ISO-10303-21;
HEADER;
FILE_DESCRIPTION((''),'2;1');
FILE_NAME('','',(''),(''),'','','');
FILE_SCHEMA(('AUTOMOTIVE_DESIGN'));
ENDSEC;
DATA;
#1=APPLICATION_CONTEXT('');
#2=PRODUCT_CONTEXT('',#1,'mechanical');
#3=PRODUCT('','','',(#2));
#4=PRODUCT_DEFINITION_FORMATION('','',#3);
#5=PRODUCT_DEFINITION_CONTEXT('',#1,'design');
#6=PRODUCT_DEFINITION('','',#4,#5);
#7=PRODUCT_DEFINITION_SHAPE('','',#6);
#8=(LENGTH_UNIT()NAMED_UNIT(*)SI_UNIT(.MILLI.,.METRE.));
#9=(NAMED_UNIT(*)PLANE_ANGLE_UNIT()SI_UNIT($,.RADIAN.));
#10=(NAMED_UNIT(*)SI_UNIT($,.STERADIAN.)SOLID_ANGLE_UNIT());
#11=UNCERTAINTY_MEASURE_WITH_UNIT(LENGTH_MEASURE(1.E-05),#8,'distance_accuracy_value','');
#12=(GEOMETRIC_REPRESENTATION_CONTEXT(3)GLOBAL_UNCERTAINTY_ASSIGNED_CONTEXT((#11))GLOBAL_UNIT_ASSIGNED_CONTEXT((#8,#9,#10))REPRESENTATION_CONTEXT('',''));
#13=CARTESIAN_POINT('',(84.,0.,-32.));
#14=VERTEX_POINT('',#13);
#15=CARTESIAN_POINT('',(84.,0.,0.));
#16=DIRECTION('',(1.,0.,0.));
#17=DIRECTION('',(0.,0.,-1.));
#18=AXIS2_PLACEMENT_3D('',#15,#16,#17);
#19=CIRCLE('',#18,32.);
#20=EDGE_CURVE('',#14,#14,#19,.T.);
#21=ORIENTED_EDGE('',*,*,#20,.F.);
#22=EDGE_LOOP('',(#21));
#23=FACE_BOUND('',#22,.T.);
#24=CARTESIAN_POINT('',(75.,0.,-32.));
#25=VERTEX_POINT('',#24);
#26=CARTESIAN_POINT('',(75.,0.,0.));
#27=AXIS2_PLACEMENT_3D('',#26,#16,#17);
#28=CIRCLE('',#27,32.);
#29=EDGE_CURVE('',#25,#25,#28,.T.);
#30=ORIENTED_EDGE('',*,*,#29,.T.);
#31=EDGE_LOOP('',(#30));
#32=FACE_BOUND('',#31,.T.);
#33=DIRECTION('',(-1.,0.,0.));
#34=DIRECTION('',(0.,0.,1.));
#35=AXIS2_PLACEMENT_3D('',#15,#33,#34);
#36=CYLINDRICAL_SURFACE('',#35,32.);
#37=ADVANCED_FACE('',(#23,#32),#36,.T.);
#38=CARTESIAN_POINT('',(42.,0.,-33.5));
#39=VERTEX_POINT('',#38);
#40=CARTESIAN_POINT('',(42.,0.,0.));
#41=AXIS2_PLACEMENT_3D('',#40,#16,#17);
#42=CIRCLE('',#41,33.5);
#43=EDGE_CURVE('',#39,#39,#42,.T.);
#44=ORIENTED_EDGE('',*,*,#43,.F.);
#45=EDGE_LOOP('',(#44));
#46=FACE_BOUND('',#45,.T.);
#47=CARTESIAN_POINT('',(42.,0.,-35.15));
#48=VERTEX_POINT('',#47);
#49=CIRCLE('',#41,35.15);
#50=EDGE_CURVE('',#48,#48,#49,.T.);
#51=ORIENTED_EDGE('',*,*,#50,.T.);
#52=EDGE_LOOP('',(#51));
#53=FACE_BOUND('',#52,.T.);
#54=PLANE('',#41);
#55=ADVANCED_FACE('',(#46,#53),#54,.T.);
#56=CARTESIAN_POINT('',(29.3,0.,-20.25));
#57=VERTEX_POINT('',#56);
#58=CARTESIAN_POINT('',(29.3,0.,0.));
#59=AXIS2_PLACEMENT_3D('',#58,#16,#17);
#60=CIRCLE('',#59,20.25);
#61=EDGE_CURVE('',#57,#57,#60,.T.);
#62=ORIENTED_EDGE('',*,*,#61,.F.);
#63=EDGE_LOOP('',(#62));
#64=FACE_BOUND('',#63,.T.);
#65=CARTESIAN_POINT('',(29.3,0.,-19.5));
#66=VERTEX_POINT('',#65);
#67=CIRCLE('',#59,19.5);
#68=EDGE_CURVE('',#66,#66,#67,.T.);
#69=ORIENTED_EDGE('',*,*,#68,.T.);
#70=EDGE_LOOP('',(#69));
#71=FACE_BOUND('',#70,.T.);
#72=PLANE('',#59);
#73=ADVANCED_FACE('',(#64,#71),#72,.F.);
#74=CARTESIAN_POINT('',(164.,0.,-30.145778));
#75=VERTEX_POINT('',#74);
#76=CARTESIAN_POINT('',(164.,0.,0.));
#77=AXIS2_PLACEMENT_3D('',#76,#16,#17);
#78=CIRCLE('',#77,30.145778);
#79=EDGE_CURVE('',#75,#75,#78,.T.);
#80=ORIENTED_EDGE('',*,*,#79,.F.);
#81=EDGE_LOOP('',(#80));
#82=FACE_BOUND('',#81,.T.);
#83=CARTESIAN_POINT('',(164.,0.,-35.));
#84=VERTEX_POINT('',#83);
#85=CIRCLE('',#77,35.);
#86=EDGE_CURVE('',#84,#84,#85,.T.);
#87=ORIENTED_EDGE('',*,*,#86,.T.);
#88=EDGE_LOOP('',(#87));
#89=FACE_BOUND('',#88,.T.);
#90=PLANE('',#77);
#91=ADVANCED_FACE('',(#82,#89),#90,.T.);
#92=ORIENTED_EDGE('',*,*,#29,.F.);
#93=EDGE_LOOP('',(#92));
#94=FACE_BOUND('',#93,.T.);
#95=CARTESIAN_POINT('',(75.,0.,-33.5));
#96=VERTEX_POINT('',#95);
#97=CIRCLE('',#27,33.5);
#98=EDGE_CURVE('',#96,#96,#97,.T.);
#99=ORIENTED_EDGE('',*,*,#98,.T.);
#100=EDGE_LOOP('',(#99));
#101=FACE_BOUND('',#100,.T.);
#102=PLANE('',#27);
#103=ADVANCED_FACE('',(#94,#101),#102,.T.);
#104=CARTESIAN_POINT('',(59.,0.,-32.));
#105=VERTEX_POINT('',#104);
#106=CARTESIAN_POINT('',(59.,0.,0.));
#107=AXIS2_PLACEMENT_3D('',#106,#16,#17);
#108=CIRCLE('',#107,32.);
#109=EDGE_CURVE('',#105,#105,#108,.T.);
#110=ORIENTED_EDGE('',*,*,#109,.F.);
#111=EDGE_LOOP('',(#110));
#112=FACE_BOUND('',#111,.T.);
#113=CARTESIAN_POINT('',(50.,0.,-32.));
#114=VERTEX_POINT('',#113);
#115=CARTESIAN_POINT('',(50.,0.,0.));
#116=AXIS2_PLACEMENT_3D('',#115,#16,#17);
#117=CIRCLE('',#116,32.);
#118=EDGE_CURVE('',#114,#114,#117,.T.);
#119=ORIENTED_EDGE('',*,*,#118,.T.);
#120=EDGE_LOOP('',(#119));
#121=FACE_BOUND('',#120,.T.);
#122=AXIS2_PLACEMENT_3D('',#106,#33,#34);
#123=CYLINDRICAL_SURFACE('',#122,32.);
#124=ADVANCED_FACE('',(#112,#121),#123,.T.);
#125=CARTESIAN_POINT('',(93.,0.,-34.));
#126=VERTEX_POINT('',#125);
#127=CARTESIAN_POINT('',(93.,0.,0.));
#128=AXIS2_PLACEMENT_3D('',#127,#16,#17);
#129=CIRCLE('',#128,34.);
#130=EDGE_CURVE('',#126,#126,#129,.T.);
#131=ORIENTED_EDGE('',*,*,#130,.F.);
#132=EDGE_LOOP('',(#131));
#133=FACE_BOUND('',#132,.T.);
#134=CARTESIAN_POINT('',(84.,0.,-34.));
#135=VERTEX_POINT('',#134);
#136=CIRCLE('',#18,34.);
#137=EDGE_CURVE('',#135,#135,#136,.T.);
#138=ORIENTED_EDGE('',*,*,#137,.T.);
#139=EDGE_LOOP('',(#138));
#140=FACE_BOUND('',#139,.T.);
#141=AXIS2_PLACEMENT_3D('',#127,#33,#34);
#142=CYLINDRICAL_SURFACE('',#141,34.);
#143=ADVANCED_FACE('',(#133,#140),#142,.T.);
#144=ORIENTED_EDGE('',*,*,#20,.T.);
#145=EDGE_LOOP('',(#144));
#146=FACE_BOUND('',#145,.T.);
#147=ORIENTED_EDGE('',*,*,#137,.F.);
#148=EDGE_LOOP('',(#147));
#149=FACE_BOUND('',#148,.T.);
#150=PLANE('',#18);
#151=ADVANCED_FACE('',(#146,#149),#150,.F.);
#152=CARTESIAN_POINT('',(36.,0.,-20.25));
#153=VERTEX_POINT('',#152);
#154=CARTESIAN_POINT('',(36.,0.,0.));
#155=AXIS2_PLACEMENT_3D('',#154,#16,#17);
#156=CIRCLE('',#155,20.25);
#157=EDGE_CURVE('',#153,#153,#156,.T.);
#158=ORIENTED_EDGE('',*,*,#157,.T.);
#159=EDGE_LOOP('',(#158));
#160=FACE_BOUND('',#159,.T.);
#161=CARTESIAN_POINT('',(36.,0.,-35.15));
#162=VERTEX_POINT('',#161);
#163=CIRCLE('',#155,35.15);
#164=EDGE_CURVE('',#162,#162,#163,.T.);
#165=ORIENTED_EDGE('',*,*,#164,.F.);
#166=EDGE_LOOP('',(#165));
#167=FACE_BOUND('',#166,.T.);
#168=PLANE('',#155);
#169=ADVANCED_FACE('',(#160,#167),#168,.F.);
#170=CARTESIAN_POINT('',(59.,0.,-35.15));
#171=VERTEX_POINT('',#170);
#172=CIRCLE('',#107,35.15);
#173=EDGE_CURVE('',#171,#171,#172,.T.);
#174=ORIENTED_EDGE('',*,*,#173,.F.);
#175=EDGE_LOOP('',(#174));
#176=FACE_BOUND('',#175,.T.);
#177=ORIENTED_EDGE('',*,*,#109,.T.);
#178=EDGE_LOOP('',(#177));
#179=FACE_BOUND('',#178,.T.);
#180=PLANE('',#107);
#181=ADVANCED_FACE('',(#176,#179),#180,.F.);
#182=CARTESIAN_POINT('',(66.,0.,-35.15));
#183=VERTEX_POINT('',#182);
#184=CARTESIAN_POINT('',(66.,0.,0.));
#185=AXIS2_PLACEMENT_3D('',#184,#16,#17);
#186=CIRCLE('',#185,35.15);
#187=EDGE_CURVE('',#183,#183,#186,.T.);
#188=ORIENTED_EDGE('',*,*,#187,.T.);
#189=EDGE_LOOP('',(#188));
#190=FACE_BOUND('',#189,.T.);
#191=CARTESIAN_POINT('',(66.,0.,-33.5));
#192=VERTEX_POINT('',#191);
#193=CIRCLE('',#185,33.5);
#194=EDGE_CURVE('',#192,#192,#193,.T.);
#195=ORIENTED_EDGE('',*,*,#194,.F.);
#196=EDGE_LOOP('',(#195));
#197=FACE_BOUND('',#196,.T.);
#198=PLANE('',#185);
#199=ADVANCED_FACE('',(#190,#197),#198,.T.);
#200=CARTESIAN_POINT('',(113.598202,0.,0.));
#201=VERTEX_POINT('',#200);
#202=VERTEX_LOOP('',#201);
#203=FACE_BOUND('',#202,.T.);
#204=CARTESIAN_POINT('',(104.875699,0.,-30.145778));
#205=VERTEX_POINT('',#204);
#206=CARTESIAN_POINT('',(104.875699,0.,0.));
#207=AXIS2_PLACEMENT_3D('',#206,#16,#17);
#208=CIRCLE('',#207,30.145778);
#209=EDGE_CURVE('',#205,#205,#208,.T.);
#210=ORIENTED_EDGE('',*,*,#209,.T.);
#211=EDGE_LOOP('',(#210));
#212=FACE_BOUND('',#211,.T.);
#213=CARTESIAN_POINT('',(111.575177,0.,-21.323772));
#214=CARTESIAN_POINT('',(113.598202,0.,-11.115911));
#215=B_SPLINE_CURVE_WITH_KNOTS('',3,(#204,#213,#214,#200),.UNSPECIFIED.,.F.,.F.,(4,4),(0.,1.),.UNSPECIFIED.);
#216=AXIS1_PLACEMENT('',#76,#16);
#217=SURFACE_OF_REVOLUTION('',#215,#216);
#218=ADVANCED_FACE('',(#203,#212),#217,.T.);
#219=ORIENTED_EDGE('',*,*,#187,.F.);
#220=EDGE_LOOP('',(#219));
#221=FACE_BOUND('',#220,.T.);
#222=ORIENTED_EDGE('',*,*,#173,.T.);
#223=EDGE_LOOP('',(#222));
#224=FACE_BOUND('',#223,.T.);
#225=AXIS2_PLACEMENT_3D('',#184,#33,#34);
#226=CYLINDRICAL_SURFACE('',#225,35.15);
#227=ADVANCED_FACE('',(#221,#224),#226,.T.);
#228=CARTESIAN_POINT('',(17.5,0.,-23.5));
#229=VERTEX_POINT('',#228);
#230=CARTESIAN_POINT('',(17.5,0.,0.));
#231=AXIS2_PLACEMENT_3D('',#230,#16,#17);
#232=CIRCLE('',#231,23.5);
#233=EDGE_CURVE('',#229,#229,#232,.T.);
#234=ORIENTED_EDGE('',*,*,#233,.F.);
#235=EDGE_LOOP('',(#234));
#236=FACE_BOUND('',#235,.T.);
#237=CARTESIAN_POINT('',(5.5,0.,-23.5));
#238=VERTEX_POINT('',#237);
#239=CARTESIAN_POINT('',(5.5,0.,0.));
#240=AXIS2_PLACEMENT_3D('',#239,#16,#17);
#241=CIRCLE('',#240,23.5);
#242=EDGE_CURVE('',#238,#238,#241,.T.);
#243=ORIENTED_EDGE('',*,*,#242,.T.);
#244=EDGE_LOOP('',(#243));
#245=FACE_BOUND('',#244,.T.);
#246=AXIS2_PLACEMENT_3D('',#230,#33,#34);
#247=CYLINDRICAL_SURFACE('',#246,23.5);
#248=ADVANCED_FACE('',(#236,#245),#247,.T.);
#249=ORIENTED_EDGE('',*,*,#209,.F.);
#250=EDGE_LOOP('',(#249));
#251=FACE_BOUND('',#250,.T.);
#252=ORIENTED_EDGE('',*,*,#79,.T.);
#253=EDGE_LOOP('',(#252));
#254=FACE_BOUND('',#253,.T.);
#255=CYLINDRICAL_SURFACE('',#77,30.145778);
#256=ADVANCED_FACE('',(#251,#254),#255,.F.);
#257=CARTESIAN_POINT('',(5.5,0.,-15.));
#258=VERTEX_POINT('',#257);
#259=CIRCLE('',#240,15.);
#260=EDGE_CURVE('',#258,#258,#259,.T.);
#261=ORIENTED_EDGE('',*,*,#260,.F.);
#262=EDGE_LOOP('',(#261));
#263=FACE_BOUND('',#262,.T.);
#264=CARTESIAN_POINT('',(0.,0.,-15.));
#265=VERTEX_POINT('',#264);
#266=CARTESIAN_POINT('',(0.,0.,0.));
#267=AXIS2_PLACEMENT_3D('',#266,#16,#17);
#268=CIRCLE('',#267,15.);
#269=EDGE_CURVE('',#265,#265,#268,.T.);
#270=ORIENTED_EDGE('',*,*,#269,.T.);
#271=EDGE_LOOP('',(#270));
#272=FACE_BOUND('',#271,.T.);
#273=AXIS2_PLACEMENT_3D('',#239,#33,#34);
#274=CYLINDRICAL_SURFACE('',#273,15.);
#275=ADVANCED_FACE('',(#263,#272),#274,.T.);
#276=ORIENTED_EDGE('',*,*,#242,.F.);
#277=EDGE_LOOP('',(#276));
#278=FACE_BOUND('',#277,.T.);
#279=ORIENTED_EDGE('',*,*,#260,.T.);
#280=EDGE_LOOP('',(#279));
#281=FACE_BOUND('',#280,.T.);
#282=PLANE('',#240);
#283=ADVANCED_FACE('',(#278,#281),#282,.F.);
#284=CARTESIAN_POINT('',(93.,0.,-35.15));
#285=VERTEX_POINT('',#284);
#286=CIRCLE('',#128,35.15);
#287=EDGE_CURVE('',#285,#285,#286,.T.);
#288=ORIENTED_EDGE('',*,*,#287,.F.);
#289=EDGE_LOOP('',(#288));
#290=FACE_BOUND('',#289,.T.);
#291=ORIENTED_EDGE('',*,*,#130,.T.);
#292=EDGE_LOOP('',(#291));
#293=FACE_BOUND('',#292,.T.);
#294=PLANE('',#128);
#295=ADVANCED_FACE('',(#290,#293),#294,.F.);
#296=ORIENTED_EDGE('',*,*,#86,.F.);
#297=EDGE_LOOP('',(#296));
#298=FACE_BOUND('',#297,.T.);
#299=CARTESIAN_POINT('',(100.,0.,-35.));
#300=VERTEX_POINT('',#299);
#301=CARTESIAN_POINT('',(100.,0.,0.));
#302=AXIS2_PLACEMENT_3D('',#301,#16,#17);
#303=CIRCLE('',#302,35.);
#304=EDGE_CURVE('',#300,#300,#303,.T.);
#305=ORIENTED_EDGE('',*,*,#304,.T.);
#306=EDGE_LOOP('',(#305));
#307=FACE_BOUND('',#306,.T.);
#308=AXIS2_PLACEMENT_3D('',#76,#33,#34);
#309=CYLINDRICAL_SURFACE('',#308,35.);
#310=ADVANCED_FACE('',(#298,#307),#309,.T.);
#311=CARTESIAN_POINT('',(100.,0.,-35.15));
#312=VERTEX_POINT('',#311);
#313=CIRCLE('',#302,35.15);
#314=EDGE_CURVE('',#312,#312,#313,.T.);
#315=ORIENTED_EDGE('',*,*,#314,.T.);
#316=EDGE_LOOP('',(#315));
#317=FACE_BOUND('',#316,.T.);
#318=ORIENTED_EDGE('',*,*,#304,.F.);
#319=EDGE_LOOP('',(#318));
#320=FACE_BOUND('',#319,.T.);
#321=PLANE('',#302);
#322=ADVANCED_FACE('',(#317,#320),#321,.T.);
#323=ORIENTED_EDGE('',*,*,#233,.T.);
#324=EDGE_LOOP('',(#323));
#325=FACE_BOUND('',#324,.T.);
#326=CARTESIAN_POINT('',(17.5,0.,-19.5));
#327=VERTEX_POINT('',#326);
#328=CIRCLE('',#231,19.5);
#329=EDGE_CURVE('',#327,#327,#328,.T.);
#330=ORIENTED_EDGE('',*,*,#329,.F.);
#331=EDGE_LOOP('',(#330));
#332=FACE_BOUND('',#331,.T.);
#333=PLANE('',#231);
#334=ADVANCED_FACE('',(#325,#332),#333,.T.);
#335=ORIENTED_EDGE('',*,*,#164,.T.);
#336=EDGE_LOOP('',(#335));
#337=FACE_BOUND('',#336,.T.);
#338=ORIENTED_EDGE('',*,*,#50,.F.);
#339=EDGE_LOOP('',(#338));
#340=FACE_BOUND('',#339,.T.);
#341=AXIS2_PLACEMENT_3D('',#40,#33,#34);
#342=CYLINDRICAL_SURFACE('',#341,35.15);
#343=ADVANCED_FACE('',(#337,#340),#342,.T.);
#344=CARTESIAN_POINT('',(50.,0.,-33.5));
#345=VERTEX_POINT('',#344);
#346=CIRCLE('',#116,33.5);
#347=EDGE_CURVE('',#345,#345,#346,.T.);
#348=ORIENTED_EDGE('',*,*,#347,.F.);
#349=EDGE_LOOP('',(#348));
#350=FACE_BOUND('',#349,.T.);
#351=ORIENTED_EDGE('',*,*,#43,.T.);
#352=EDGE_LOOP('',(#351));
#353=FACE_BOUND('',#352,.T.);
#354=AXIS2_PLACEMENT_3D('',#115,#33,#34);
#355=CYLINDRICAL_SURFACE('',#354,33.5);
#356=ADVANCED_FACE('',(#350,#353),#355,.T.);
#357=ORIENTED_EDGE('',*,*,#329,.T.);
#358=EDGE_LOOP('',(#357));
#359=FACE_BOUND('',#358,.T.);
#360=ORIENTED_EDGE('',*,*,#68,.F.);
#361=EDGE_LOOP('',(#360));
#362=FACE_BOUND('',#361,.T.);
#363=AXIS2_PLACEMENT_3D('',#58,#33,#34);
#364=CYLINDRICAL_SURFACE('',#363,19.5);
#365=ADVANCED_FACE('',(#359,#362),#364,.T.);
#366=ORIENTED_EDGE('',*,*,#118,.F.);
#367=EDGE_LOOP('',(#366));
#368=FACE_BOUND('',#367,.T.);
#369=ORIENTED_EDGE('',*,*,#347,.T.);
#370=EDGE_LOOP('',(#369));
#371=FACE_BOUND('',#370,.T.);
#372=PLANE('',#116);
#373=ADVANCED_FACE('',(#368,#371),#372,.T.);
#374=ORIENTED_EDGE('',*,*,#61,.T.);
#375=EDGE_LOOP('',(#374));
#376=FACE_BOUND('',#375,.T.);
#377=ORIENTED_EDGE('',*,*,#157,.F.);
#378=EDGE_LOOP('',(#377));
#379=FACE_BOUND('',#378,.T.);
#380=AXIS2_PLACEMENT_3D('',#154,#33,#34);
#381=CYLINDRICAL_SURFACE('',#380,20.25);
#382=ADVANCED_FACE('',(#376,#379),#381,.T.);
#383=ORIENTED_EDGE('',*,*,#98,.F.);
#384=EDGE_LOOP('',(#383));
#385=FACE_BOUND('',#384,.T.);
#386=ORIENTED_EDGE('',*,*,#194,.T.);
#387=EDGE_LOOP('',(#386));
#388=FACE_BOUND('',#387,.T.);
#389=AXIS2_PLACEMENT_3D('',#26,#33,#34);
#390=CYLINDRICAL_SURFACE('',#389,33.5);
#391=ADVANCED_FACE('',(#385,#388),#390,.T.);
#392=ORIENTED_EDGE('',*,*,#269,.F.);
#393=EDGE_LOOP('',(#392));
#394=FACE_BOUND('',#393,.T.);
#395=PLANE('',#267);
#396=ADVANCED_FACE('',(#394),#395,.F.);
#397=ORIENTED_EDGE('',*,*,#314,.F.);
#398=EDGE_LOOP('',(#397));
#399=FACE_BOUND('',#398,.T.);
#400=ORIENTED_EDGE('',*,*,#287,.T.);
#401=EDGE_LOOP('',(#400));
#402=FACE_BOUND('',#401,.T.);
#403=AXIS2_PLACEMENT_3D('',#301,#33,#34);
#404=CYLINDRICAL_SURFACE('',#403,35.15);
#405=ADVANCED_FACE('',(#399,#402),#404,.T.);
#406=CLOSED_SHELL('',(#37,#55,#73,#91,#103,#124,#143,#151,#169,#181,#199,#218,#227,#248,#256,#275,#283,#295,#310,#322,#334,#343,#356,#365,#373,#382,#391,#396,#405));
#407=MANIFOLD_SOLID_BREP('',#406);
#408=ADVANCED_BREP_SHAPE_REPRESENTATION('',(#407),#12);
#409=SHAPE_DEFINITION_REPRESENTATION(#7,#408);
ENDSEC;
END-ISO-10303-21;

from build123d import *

# Parameters (mm, degrees)
SKETCH1_R            = 15
BOSS_EXTRUDE1_DEPTH  = 5.5
SKETCH2_R            = 23.5
BOSS_EXTRUDE2_DEPTH  = 12
SKETCH4_R            = 19.5
BOSS_EXTRUDE3_DEPTH  = 11.8
SKETCH6_R            = 20.25
BOSS_EXTRUDE4_DEPTH  = 6.7
SKETCH7_R            = 35.15
BOSS_EXTRUDE5_DEPTH  = 6
SKETCH8_R            = 33.5
BOSS_EXTRUDE6_DEPTH  = 8
SKETCH9_R            = 32
BOSS_EXTRUDE7_DEPTH  = 9
SKETCH10_R           = 35.15
BOSS_EXTRUDE8_DEPTH  = 7
SKETCH11_R           = 33.5
BOSS_EXTRUDE9_DEPTH  = 9
SKETCH12_R           = 32
BOSS_EXTRUDE10_DEPTH = 9
SKETCH13_R           = 34
BOSS_EXTRUDE11_DEPTH = 9
SKETCH14_R           = 35.15
BOSS_EXTRUDE12_DEPTH = 7
SKETCH15_R           = 35
BOSS_EXTRUDE13_DEPTH = 64


with BuildPart() as part:
    # Sketch1 → Boss-Extrude1 (new body)
    with BuildSketch(Plane(origin=(0, 0, 0), x_dir=(0, 0, -1), z_dir=(1, 0, 0))):
        Circle(SKETCH1_R)
    extrude(amount=BOSS_EXTRUDE1_DEPTH)

    # Sketch2 → Boss-Extrude2 (add)
    with BuildSketch(Plane(origin=(5.5, 0, 0), x_dir=(0, 0, -1), z_dir=(1, 0, 0))):
        Circle(SKETCH2_R)
    extrude(amount=BOSS_EXTRUDE2_DEPTH)

    # Sketch4 → Boss-Extrude3 (add)
    with BuildSketch(Plane(origin=(17.5, 0, 0), x_dir=(0, 0, -1), z_dir=(1, 0, 0))):
        Circle(SKETCH4_R)
    extrude(amount=BOSS_EXTRUDE3_DEPTH)

    # Sketch6 → Boss-Extrude4 (add)
    with BuildSketch(Plane(origin=(29.3, 0, 0), x_dir=(0, 0, -1), z_dir=(1, 0, 0))):
        Circle(SKETCH6_R)
    extrude(amount=BOSS_EXTRUDE4_DEPTH)

    # Sketch7 → Boss-Extrude5 (add)
    with BuildSketch(Plane(origin=(36, 0, 0), x_dir=(0, 0, -1), z_dir=(1, 0, 0))):
        Circle(SKETCH7_R)
    extrude(amount=BOSS_EXTRUDE5_DEPTH)

    # Sketch8 → Boss-Extrude6 (add)
    with BuildSketch(Plane(origin=(42, 0, 0), x_dir=(0, 0, -1), z_dir=(1, 0, 0))):
        Circle(SKETCH8_R)
    extrude(amount=BOSS_EXTRUDE6_DEPTH)

    # Sketch9 → Boss-Extrude7 (add)
    with BuildSketch(Plane(origin=(50, 0, 0), x_dir=(0, 0, -1), z_dir=(1, 0, 0))):
        Circle(SKETCH9_R)
    extrude(amount=BOSS_EXTRUDE7_DEPTH)

    # Sketch10 → Boss-Extrude8 (add)
    with BuildSketch(Plane(origin=(59, 0, 0), x_dir=(0, 0, -1), z_dir=(1, 0, 0))):
        Circle(SKETCH10_R)
    extrude(amount=BOSS_EXTRUDE8_DEPTH)

    # Sketch11 → Boss-Extrude9 (add)
    with BuildSketch(Plane(origin=(66, 0, 0), x_dir=(0, 0, -1), z_dir=(1, 0, 0))):
        Circle(SKETCH11_R)
    extrude(amount=BOSS_EXTRUDE9_DEPTH)

    # Sketch12 → Boss-Extrude10 (add)
    with BuildSketch(Plane(origin=(75, 0, 0), x_dir=(0, 0, -1), z_dir=(1, 0, 0))):
        Circle(SKETCH12_R)
    extrude(amount=BOSS_EXTRUDE10_DEPTH)

    # Sketch13 → Boss-Extrude11 (add)
    with BuildSketch(Plane(origin=(84, 0, 0), x_dir=(0, 0, -1), z_dir=(1, 0, 0))):
        Circle(SKETCH13_R)
    extrude(amount=BOSS_EXTRUDE11_DEPTH)

    # Sketch14 → Boss-Extrude12 (add)
    with BuildSketch(Plane(origin=(93, 0, 0), x_dir=(0, 0, -1), z_dir=(1, 0, 0))):
        Circle(SKETCH14_R)
    extrude(amount=BOSS_EXTRUDE12_DEPTH)

    # Sketch15 → Boss-Extrude13 (add)
    with BuildSketch(Plane(origin=(100, 0, 0), x_dir=(0, 0, -1), z_dir=(1, 0, 0))):
        Circle(SKETCH15_R)
    extrude(amount=BOSS_EXTRUDE13_DEPTH)

    # Sketch16 → Cut-Revolve1 (revolve, cut)
    with BuildSketch(Plane(origin=(0, 0, 0), x_dir=(1, 0, 0), z_dir=(0, 1, 0))):
        with BuildLine():
            Line((164, 30.145778452), (104.875699315, 30.145778452))
            add(Edge.make_bspline(
                [(104.875699315, 30.145778452), (111.575177395, 21.323772465), (113.598201805, 11.115911288), (113.598201805, 0)],
                knots=[0, 0, 0, 0, 1, 1, 1, 1], degree=3))
            Line((113.598201805, 0), (164, 0))
            Line((164, 0), (164, 30.145778452))
        make_face()
    revolve(axis=Axis((164, 0, 0), (-1, 0, 0)), mode=Mode.SUBTRACT)


solid = part.part
